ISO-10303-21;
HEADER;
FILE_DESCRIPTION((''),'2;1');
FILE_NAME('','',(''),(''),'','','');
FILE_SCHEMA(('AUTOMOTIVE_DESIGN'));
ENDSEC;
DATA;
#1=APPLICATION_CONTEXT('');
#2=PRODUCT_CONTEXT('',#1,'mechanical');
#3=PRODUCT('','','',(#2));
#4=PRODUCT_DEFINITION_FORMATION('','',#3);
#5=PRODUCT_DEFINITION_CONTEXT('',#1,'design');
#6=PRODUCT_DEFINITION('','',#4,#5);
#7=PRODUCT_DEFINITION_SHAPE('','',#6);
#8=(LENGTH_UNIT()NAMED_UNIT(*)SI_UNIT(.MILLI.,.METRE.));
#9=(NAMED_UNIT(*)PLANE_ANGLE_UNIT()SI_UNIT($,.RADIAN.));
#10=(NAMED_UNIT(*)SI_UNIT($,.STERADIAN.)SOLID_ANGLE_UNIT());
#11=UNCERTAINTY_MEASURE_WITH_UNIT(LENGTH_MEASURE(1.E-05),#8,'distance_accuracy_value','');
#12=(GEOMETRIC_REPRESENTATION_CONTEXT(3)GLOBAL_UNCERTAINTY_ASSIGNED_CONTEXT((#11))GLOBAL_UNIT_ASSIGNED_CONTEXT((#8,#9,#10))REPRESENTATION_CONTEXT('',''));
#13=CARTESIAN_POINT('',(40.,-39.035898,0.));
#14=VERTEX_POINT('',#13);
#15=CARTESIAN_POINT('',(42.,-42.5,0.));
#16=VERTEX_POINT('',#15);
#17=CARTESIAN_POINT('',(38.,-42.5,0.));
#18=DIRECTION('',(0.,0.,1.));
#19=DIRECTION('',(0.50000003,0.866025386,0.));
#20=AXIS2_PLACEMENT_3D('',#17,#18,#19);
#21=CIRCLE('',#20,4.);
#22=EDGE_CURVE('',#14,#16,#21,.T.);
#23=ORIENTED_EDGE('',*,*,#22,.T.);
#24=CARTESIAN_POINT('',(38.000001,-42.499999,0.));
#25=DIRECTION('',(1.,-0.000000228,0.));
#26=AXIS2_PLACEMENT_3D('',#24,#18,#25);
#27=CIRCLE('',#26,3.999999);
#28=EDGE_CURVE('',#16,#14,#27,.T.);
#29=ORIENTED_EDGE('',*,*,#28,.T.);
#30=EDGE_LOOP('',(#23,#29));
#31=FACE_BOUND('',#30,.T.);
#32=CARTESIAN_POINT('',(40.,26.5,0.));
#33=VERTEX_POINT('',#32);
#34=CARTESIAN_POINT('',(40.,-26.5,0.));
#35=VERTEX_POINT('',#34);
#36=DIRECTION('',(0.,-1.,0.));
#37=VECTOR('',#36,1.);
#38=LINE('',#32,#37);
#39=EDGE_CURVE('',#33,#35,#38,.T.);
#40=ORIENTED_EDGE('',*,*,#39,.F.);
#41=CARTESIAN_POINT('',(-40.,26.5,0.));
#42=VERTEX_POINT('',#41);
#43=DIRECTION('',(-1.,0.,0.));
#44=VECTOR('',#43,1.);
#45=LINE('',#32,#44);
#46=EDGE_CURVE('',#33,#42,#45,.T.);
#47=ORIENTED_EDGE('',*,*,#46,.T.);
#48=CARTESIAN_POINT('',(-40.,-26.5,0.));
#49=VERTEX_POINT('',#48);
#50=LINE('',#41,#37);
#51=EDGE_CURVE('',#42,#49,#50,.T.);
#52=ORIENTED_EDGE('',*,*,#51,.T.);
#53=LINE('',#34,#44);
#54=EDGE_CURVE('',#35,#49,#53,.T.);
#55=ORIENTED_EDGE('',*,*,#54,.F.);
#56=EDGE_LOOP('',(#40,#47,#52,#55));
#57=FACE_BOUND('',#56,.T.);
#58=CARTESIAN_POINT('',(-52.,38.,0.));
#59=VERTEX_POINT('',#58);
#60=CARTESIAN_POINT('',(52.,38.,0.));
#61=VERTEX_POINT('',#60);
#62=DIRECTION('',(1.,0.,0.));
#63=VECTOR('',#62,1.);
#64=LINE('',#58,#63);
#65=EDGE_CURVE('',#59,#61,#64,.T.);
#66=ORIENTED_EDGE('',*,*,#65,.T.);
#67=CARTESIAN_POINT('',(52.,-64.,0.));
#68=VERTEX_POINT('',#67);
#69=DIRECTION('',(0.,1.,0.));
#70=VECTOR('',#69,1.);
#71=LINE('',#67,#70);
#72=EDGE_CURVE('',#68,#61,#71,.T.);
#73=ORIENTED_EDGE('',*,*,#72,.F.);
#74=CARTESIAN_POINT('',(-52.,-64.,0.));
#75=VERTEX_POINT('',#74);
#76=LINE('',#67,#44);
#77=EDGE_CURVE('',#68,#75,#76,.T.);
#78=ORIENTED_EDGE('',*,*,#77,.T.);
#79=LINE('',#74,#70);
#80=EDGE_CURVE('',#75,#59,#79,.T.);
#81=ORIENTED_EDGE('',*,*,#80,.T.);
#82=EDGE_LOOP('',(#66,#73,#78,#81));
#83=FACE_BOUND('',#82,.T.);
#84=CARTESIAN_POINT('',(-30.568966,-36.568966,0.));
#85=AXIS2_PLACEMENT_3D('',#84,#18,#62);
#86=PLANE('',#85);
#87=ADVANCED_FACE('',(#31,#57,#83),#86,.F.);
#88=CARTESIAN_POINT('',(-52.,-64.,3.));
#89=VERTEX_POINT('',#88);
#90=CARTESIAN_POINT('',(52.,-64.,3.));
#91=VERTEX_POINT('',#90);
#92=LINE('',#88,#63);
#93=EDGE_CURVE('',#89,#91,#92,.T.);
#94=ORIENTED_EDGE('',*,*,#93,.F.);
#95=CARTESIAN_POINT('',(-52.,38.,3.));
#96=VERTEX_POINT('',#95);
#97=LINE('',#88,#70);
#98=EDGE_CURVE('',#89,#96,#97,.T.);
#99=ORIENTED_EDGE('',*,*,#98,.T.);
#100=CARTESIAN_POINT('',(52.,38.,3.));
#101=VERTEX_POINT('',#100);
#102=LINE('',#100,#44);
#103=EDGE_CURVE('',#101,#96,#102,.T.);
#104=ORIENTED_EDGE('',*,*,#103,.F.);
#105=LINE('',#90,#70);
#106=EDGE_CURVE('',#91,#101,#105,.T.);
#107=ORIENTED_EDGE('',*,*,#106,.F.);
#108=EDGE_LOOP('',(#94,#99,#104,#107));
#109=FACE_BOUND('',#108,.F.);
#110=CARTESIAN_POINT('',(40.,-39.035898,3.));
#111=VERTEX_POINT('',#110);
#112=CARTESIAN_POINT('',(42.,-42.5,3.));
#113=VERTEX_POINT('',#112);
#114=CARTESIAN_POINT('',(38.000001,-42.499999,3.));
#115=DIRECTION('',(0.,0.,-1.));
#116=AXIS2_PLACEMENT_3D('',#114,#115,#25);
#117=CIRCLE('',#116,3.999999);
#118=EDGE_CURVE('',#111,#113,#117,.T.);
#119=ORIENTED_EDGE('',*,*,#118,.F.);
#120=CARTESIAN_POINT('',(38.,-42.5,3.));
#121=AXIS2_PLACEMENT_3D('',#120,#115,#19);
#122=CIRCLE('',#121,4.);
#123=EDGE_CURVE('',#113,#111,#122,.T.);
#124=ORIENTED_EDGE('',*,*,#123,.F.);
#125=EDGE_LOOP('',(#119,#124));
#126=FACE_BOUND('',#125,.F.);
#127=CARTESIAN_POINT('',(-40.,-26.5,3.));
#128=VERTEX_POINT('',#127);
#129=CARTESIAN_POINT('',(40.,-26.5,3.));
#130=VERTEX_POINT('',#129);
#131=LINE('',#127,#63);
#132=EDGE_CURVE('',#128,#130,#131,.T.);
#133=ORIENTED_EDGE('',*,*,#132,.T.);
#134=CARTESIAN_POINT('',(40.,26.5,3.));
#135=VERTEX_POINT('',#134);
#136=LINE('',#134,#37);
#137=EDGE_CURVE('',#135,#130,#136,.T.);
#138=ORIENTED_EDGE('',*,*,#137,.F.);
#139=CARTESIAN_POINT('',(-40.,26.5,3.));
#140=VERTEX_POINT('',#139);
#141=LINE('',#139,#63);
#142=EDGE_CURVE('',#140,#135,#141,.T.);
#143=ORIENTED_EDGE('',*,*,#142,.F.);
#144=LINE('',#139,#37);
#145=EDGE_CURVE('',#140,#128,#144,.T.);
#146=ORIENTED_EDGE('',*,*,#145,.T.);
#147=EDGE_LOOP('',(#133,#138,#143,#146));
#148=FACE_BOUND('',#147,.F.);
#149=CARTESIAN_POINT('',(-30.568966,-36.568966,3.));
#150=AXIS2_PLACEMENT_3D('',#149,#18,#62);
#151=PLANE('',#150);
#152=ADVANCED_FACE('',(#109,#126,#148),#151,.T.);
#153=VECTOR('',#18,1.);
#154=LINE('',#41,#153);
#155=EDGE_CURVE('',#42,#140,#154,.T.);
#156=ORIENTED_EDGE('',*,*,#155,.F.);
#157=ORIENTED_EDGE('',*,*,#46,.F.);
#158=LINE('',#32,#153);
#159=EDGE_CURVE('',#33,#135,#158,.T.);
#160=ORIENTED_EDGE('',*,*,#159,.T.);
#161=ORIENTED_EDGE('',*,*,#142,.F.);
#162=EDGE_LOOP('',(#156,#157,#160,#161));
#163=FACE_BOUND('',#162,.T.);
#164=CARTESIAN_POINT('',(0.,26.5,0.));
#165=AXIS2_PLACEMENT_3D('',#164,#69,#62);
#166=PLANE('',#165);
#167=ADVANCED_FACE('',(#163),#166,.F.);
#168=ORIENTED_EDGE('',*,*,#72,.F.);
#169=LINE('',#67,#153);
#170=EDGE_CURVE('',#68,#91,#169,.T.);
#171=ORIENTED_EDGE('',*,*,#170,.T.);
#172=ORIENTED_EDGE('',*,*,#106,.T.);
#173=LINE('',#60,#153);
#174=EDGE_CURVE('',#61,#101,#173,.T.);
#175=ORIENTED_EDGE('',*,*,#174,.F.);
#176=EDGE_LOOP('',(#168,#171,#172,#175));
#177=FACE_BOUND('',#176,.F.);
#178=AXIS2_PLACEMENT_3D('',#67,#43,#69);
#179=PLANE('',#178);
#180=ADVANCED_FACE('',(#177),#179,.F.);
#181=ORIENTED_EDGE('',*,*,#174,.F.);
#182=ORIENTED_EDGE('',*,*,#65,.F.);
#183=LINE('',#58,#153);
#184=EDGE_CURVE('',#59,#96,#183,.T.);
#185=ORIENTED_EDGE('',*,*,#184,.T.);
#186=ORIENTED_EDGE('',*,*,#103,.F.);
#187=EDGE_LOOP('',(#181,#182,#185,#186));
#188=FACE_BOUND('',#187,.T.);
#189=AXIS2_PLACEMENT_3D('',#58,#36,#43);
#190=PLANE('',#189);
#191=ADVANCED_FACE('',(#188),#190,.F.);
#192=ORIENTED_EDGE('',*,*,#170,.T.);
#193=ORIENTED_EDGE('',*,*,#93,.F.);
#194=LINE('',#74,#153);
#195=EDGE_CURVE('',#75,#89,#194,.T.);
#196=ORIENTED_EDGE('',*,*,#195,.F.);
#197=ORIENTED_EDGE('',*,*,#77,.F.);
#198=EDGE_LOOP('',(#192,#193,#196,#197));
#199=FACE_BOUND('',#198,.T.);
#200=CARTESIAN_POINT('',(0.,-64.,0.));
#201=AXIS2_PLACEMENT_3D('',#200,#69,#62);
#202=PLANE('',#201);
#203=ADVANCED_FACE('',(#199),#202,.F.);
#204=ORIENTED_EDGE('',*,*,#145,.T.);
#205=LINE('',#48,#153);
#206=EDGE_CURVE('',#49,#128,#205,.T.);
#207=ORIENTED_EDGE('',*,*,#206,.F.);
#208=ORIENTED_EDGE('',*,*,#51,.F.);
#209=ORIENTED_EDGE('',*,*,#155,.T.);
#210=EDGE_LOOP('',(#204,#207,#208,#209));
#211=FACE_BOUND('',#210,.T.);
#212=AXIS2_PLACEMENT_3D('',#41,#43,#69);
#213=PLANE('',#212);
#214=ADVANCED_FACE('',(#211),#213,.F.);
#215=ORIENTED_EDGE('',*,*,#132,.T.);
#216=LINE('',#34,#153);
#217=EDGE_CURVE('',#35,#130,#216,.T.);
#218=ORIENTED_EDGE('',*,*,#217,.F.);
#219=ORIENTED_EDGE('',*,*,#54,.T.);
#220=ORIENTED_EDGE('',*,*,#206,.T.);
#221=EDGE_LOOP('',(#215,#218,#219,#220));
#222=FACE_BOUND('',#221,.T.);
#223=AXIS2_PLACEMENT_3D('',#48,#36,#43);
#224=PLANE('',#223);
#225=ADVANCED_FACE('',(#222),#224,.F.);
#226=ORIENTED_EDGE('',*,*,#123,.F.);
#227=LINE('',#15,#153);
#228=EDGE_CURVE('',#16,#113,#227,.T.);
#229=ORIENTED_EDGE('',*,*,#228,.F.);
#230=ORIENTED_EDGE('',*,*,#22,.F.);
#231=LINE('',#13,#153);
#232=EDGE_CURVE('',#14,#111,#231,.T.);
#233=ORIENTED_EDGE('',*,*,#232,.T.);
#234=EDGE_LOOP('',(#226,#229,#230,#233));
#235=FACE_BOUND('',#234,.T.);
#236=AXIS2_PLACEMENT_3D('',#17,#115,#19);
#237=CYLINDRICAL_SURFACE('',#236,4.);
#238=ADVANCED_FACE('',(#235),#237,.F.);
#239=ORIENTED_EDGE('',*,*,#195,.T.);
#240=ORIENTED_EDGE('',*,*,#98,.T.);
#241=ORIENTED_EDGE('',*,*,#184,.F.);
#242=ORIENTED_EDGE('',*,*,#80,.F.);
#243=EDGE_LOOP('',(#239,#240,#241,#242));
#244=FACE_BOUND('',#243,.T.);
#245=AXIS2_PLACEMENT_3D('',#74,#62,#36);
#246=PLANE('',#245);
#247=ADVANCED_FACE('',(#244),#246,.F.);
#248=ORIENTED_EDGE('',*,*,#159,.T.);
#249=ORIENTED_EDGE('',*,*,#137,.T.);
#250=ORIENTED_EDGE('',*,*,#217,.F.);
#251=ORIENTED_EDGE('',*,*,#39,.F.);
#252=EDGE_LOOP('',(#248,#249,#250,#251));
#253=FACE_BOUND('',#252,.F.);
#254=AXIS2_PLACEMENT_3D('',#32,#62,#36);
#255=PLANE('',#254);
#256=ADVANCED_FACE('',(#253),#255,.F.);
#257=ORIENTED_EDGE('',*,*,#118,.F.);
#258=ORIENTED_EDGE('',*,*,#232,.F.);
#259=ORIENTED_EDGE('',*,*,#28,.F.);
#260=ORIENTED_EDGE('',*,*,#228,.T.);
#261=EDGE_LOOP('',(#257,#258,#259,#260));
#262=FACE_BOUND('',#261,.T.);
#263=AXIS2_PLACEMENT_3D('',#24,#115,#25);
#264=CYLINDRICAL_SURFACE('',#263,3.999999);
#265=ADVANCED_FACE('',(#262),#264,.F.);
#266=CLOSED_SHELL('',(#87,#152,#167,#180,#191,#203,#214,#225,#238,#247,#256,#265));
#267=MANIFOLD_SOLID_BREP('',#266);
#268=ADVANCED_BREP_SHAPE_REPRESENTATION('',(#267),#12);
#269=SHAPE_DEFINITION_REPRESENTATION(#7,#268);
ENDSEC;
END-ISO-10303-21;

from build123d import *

# Parameters (mm, degrees)
F1_DEPTH = 3
F4_DEPTH = 25


with BuildPart() as f1:
    # F0 (on Top) → F1 (new body)
    with BuildSketch(Plane.XY):
        Polygon((40, 0), (40, -26.5), (0, -26.5), (0, -64), (52, -64), (52, 0), align=None)
        Polygon((40, 26.5), (40, 0), (52, 0), (52, 38), (0, 38), (0, 26.5), align=None)
    extrude(amount=F1_DEPTH)

    # F2: F1 across plane


with BuildPart() as f1_1:
    add(f1.part)
    add(f1.part.mirror(Plane.YZ))


with BuildPart() as f4:
    # F3 (on Top) → F4 (new body)
    with BuildSketch(Plane.XY):
        with BuildLine():
            ThreePointArc((40, -39.035898), (34.535898, -44.5), (42, -42.5))
            ThreePointArc((42, -42.5), (41.464102, -40.5), (40, -39.035898))
        make_face()
    extrude(amount=F4_DEPTH)


with BuildPart() as f1_2:
    add(f1_1.part)

    # F5: cut F4
    add(f4.part, mode=Mode.SUBTRACT)


solid = f1_2.part
